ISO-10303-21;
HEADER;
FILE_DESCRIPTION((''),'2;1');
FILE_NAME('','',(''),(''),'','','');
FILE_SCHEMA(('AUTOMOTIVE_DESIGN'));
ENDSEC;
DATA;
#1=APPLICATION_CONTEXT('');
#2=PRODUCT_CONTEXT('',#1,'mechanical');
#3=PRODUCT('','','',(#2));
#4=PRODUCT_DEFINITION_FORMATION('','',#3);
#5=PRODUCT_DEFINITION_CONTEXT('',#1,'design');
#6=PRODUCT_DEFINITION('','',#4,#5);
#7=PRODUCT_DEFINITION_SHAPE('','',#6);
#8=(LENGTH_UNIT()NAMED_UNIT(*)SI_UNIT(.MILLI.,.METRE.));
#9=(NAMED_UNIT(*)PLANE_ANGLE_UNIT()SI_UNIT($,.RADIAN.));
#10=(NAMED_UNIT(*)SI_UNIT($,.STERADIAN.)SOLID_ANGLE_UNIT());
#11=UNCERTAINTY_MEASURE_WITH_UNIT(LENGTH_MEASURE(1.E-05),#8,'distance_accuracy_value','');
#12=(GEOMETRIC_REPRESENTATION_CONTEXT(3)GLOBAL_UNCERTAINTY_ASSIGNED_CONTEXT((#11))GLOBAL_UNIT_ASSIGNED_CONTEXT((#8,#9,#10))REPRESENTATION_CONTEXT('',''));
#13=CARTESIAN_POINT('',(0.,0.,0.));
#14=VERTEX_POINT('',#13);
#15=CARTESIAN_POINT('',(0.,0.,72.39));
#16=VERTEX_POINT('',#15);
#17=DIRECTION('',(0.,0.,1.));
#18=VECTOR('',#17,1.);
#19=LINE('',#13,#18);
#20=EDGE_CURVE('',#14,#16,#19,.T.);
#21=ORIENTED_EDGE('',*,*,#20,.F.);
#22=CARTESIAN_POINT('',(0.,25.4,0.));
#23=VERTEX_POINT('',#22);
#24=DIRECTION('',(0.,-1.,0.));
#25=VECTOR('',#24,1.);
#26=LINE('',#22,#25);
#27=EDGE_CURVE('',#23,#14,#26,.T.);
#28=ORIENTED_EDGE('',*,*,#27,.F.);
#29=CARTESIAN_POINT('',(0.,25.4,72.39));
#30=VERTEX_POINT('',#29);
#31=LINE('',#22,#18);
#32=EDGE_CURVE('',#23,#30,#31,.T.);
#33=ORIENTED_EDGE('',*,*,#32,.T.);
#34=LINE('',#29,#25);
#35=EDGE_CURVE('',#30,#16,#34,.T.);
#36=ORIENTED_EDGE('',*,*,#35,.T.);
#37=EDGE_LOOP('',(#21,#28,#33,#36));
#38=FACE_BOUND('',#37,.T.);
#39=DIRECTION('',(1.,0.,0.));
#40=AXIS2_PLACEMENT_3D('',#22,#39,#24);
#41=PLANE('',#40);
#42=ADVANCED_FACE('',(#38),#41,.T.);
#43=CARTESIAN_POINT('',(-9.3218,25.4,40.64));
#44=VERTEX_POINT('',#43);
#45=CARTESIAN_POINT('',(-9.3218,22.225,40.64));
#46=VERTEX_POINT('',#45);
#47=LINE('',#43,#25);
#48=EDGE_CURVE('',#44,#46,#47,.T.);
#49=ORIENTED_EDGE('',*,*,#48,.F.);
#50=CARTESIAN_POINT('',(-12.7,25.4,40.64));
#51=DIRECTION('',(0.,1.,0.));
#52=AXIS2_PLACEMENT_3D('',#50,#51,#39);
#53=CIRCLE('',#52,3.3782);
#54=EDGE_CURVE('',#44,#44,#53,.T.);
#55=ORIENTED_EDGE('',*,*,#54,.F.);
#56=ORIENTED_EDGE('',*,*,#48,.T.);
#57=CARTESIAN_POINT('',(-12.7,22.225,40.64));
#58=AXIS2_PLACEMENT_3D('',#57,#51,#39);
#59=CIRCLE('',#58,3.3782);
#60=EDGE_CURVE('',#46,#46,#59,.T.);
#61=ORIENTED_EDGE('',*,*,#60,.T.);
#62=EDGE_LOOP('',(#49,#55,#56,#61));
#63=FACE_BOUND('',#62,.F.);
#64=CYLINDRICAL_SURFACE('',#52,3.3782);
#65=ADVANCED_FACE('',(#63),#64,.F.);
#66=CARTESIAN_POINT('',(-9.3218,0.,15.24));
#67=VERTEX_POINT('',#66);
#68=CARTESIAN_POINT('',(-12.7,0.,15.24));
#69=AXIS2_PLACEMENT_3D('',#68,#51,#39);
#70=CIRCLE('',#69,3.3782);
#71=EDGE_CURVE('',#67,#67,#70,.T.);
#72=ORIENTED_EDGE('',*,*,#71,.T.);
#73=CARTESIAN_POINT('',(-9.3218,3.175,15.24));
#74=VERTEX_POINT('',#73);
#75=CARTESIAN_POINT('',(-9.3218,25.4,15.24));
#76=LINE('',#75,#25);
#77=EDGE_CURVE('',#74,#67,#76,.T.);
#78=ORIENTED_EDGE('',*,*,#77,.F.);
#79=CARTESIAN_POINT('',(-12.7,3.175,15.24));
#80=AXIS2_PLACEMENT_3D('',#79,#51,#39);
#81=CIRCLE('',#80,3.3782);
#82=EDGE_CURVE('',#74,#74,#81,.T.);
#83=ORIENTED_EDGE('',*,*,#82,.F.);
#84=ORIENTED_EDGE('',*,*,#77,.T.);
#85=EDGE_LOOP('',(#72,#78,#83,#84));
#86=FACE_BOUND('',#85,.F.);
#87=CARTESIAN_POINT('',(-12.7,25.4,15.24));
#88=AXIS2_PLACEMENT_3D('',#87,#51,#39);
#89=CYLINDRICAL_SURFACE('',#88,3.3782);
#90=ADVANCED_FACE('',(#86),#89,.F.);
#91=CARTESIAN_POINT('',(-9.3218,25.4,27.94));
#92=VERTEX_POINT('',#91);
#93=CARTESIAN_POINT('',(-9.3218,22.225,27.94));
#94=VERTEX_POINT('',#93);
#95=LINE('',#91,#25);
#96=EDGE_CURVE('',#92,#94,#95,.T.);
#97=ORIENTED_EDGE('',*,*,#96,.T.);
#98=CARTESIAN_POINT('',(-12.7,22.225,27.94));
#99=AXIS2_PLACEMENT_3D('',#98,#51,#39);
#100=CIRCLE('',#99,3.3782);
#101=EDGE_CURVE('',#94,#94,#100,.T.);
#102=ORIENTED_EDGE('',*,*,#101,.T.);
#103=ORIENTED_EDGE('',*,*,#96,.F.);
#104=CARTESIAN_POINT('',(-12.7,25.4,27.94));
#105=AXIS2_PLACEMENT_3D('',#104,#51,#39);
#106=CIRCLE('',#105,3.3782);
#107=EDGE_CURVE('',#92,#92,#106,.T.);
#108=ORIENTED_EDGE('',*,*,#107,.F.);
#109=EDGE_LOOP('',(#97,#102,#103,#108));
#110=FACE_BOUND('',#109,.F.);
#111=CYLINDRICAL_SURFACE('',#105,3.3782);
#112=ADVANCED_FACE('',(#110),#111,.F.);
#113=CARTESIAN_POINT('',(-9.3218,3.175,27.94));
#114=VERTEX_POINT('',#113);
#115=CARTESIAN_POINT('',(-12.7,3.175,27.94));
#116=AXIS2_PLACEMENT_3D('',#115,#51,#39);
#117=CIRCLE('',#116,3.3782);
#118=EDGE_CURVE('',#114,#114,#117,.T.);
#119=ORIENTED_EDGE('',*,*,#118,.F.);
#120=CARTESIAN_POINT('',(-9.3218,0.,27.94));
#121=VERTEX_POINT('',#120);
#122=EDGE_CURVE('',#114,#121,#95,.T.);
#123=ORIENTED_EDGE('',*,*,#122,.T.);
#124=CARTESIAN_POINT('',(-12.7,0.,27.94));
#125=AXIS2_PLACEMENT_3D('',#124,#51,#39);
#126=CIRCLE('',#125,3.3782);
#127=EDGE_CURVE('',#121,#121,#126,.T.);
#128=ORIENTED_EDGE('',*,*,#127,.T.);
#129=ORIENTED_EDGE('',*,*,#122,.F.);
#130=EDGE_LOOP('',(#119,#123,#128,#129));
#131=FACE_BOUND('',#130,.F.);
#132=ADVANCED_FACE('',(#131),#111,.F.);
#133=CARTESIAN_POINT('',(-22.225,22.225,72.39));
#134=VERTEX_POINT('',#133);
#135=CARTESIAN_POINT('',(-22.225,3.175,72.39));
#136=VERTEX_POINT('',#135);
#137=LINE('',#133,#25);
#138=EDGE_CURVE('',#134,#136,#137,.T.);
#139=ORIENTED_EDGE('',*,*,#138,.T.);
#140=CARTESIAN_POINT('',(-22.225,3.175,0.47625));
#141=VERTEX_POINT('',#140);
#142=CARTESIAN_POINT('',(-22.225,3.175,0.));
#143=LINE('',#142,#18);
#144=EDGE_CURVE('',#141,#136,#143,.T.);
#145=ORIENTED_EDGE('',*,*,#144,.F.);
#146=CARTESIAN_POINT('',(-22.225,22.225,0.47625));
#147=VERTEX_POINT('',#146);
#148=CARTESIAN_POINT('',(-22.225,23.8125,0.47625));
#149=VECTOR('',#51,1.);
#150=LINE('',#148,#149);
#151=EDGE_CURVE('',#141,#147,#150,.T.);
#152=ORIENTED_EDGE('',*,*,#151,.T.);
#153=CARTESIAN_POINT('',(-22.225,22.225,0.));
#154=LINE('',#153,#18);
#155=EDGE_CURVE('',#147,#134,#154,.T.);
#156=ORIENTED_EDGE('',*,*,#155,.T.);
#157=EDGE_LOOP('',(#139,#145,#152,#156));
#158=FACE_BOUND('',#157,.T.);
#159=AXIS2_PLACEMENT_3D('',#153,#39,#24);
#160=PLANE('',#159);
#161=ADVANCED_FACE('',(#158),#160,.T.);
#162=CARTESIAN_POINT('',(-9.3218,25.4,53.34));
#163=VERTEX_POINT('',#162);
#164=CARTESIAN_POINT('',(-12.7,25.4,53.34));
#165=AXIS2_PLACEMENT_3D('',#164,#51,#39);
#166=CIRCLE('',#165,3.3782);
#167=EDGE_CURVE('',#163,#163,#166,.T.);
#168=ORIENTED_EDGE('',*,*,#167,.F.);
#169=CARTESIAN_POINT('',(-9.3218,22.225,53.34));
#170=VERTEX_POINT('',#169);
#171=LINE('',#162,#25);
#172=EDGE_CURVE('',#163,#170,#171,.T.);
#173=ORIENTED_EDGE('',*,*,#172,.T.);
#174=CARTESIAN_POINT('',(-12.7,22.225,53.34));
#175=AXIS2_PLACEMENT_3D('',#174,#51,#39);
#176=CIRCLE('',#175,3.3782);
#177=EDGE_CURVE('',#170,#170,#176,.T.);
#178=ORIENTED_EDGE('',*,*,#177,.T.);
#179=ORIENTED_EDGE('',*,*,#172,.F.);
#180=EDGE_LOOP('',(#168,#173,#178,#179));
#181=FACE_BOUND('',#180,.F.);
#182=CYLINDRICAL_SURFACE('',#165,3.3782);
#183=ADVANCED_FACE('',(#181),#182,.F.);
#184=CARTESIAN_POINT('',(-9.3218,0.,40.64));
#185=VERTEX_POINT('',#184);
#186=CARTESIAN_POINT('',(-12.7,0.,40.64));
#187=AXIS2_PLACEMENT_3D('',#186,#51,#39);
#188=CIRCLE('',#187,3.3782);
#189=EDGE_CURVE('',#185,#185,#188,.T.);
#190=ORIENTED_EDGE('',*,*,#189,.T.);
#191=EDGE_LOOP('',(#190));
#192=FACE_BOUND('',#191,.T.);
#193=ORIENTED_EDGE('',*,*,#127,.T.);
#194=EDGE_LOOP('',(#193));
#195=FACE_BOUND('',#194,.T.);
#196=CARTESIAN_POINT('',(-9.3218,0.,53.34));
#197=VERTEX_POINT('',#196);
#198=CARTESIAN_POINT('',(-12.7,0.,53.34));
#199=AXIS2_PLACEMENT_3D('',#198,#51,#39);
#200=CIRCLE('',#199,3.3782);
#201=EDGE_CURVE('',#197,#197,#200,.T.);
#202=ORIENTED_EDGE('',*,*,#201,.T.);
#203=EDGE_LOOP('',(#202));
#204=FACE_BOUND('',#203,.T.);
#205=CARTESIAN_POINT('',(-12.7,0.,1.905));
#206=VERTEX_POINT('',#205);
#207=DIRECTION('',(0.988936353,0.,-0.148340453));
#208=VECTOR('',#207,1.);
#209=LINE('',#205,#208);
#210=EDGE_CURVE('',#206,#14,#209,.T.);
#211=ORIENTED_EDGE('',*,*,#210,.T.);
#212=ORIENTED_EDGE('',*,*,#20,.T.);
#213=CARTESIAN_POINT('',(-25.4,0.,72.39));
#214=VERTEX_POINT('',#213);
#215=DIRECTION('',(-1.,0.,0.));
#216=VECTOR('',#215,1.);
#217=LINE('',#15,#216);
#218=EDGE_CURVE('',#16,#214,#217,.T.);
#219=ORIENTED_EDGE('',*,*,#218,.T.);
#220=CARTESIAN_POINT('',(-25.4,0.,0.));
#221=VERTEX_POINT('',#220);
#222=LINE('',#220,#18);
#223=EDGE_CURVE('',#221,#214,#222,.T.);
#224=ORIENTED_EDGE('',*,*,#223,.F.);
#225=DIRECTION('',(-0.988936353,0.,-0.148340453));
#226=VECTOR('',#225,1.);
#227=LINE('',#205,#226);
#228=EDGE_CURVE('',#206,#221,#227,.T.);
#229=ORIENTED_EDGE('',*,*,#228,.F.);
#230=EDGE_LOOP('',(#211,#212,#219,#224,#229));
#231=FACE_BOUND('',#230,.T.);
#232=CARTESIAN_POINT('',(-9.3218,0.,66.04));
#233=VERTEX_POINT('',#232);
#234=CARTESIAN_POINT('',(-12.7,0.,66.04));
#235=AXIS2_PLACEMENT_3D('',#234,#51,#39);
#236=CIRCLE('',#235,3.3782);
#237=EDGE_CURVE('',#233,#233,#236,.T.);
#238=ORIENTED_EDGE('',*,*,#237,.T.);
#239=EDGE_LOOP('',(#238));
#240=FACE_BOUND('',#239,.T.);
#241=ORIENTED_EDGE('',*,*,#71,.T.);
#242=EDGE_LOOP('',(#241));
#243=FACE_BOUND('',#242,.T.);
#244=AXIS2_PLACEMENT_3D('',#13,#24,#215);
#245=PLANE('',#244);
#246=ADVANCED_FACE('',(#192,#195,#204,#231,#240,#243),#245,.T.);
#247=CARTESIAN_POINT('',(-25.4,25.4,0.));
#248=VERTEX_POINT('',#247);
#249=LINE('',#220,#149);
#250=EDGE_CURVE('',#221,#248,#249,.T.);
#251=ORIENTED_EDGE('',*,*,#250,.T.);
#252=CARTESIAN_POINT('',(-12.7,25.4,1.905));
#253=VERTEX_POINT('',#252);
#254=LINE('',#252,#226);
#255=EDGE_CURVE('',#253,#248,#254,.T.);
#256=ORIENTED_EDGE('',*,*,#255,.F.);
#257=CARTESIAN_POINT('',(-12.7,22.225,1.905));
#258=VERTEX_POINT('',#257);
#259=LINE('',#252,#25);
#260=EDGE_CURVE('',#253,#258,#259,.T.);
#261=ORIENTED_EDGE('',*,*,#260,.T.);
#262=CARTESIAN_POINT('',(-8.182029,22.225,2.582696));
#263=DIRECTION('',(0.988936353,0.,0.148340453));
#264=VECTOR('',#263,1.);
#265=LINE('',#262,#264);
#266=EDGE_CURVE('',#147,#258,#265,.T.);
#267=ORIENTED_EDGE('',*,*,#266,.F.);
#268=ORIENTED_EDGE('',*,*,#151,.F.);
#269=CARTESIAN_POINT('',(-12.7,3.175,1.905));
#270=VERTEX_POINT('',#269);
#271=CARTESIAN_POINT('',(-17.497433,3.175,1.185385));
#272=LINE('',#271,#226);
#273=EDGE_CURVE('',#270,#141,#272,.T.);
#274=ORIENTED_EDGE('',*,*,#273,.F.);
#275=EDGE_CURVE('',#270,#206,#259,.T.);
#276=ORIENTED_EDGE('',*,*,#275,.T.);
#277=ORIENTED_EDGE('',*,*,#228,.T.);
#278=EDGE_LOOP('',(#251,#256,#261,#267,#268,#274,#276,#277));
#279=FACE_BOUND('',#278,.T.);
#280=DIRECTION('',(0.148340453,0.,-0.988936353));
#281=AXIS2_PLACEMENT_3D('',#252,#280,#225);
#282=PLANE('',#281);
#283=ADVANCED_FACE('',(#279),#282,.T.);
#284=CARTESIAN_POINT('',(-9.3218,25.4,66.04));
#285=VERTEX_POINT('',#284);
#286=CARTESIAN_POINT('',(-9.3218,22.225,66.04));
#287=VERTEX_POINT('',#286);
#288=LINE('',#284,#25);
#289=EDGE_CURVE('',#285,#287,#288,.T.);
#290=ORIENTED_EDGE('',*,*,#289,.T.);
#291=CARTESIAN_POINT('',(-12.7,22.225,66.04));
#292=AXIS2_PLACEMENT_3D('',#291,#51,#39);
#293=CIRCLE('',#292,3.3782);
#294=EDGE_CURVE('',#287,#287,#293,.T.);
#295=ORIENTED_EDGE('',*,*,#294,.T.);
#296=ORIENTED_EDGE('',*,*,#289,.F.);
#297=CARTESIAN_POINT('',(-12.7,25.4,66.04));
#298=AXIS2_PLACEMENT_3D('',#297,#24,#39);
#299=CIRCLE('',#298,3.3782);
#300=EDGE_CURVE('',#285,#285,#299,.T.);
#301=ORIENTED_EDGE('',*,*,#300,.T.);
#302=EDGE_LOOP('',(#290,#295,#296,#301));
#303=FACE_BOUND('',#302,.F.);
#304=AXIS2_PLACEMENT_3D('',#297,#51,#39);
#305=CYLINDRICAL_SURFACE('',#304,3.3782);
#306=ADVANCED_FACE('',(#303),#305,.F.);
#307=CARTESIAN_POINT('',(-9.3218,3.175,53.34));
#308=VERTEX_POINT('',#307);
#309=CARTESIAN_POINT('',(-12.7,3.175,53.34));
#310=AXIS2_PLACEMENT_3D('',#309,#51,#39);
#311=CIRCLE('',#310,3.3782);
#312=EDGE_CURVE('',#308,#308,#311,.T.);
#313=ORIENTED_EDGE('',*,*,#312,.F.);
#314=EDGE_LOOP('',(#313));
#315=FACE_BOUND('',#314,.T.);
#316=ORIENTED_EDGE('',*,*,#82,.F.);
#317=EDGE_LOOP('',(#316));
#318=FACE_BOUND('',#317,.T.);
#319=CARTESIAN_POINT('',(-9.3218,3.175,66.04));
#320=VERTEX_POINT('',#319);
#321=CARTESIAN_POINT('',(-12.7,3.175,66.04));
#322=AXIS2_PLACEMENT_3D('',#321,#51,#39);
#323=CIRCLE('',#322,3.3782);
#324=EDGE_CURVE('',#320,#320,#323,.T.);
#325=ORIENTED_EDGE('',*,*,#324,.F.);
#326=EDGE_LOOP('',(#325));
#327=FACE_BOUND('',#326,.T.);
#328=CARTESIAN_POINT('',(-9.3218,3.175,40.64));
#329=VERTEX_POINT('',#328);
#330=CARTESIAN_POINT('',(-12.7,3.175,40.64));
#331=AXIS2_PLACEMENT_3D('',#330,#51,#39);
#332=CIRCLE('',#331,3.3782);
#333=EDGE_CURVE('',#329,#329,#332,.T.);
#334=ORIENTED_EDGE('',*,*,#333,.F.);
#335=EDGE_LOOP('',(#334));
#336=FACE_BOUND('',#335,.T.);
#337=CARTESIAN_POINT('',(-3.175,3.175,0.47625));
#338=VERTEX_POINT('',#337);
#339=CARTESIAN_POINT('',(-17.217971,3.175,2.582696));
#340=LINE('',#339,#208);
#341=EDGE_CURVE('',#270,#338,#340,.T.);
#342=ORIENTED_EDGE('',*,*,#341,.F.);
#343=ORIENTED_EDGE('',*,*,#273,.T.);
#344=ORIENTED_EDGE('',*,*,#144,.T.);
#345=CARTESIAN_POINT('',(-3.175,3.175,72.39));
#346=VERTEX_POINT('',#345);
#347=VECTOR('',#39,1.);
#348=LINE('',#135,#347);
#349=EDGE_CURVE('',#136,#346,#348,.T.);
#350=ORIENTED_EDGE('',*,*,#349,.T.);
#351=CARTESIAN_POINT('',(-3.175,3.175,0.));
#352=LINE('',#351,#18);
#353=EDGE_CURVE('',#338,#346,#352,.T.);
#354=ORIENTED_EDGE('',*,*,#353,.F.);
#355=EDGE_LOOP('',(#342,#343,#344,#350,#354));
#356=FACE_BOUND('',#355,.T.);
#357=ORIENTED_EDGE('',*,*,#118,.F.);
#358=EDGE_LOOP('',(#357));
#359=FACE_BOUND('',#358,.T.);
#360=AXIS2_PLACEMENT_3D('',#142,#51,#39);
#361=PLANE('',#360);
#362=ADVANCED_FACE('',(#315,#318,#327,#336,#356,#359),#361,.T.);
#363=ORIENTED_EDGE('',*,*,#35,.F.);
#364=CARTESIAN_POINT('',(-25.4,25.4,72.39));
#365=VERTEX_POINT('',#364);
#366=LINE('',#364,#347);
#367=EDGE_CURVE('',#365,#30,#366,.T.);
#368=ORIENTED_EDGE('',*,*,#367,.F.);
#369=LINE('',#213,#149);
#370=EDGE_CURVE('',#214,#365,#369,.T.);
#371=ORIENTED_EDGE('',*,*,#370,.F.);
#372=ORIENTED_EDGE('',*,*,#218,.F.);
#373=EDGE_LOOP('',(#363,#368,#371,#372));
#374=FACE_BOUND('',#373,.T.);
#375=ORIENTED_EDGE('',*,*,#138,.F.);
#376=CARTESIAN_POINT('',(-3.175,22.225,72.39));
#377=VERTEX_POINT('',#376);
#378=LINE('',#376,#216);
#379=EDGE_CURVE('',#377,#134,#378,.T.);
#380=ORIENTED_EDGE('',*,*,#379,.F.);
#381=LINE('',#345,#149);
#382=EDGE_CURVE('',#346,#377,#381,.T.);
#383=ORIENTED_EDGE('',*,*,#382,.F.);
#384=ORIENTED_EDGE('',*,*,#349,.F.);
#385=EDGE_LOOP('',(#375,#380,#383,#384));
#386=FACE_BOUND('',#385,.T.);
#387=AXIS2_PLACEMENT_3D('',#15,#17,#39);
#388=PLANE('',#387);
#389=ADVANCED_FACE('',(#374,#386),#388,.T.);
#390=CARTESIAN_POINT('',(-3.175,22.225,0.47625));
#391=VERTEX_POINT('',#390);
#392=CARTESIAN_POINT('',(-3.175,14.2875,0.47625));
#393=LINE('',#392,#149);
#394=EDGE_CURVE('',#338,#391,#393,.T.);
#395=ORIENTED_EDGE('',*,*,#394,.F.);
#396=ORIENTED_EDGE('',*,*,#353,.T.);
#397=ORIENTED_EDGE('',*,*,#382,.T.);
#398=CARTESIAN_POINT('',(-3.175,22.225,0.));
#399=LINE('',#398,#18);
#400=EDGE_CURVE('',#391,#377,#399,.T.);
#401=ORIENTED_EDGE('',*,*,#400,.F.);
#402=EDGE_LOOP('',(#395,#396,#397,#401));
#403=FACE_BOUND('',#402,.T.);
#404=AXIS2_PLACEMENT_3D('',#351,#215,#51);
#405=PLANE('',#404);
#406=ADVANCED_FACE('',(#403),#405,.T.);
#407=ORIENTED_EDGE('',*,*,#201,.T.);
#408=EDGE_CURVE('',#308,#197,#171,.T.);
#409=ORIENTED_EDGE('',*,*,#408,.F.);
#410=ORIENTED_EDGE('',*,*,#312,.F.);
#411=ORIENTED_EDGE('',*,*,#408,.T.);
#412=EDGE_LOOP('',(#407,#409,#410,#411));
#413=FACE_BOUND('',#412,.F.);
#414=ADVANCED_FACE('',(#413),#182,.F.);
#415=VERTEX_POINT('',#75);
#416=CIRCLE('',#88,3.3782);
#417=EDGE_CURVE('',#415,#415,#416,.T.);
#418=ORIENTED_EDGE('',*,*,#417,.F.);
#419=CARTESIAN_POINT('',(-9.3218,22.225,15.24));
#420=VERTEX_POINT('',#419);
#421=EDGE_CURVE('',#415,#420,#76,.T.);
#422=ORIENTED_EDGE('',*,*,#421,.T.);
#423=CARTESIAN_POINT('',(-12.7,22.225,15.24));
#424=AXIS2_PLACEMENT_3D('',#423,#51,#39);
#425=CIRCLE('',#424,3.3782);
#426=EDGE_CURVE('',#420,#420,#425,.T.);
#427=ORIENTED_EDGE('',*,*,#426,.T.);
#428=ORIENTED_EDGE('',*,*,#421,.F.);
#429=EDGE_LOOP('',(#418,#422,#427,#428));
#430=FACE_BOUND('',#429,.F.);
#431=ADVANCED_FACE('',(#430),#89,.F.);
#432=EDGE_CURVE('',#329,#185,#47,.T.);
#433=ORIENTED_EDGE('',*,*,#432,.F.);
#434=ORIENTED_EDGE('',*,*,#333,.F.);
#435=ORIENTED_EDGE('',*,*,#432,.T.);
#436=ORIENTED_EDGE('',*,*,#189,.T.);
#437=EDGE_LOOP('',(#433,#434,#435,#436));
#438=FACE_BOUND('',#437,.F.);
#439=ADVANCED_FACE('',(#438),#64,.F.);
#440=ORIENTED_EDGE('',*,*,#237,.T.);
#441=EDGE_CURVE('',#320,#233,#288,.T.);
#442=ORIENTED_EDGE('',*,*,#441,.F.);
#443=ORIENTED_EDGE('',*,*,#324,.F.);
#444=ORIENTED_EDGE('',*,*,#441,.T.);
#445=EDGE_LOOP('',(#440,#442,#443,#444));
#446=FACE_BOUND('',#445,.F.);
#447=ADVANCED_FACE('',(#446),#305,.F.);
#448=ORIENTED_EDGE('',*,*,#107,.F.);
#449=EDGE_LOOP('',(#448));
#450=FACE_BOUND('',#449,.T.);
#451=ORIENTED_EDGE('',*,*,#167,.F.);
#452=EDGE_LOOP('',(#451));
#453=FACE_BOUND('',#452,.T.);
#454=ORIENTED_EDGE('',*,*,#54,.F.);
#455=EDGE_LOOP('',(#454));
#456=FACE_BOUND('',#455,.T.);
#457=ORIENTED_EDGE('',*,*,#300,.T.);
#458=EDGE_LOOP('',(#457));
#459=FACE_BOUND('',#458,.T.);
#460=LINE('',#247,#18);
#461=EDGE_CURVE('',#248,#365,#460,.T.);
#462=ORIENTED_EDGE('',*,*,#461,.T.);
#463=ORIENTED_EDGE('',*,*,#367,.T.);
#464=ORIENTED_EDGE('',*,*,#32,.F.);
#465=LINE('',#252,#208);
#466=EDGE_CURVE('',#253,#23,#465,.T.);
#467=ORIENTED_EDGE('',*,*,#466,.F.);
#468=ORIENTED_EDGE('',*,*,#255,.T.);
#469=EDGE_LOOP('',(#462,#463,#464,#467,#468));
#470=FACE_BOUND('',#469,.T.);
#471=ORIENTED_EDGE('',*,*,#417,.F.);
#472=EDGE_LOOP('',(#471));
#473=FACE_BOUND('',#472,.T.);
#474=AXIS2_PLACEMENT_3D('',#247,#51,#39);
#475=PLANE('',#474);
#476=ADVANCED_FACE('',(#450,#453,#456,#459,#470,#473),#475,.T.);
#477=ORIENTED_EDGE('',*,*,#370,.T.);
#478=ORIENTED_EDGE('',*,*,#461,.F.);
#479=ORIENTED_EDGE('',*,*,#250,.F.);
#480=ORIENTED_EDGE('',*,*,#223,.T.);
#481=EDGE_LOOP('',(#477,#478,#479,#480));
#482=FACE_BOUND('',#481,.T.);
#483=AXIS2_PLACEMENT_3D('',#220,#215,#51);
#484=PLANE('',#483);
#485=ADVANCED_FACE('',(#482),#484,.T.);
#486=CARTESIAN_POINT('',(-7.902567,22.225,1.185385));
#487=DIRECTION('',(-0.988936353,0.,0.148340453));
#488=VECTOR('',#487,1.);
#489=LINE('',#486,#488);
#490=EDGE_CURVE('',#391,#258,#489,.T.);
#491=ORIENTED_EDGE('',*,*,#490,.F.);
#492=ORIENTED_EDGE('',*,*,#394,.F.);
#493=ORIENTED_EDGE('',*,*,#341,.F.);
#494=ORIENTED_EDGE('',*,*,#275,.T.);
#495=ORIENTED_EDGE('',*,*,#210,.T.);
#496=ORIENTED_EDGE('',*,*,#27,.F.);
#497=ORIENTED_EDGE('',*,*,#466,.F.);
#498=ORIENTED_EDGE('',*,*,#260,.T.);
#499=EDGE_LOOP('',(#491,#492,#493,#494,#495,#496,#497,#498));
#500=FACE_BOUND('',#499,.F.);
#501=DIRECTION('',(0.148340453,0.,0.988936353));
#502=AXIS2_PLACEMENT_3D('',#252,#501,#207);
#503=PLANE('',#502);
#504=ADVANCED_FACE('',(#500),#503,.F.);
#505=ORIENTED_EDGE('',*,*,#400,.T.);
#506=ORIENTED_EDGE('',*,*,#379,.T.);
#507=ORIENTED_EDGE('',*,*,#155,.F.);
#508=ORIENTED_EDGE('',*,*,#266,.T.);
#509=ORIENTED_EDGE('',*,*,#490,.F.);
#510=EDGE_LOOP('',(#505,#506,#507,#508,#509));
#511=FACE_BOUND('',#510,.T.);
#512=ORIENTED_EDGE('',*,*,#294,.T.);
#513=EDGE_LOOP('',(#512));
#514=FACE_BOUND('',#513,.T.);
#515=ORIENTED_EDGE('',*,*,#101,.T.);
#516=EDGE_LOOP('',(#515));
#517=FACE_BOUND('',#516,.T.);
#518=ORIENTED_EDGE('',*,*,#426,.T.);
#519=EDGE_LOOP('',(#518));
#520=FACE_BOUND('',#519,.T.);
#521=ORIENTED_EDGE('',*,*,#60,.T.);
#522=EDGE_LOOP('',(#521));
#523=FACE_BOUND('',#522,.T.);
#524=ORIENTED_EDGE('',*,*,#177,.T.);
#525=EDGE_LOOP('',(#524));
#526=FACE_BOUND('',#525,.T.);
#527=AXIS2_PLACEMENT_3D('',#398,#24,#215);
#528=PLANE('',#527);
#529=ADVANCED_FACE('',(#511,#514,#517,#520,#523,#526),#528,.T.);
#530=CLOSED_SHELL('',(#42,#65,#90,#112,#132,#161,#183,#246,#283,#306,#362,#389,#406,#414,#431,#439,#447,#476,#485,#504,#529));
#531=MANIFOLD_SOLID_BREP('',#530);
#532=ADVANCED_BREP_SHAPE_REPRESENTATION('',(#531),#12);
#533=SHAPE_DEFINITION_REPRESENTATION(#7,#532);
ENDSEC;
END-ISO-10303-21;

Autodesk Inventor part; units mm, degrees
ref_plane "YZ Plane" through (0, 0, 0) normal (1, 0, 0) x (0, 1, 0)
ref_plane "XZ Plane" through (0, 0, 0) normal (0, 1, 0) x (-1, 0, 0)
ref_plane "XY Plane" through (0, 0, 0) normal (0, 0, 1) x (1, 0, 0)
sketch "Sketch1" plane through (0, 0, 0) normal (0, 0, 1) x (1, 0, 0)
  line L0 (0, 0) -> (-25.4, 0)
  line L1 (-25.4, 0) -> (-25.4, 25.4)
  line L2 (-25.4, 25.4) -> (0, 25.4)
  line L3 (0, 25.4) -> (0, 0)
  line L4 (-3.175, 22.225) -> (-22.225, 22.225)
  line L5 (-22.225, 22.225) -> (-22.225, 3.175)
  line L6 (-22.225, 3.175) -> (-3.175, 3.175)
  line L7 (-3.175, 3.175) -> (-3.175, 22.225)
  dimension "d2" = 25.4
  dimension "d4" = 25.4
  dimension "d5" = 3.175
extrude "Extrusion1" add sketch "Sketch1" along normal blind 72.39
sketch "Sketch2" plane through (-25.4, 25.4, 0) normal (0, 1, 0) x (1, 0, 0)
  line L0 (0, 0) -> (25.4, 0) projected
  line L1 (0, 0) -> (0, -72.39) projected
  line L2 (0, 0) -> (0, -1.905)
  line L3 (12.7, 0) -> (12.7, -1.905)
  line L4 (12.7, -1.905) -> (0, 0)
  line L5 (12.7, -1.905) -> (25.4, 0)
  dimension "d8" = 1.905
  dimension "d9" = 1.905
extrude "Extrusion2" cut sketch "Sketch2" against normal blind 25.4
sketch "Sketch3" plane through (-25.4, 25.4, 72.39) normal (0, 1, 0) x (1, 0, 0)
  line L0 (25.4, 0) -> (0, 0) projected
  line L1 (25.4, 72.39) -> (25.4, 0) projected
  line L2 (12.7, 0) -> (12.7, 70.485) construction
  line L3 (12.7, 0) -> (12.7, 6.35)
  circle A0 centre (12.7, 6.35) radius 3.3782
  circle A1 centre (12.7, 19.05) radius 3.3782
  circle A2 centre (12.7, 31.75) radius 3.3782
  circle A3 centre (12.7, 44.45) radius 3.3782
  circle A4 centre (12.7, 57.15) radius 3.3782
  dimension "d12" = 6.35
  dimension "d13" = 6.7564
  dimension "d16" = 12.7
extrude "Extrusion3" cut sketch "Sketch3" against normal blind 25.4
properties part number "V mount" material "Aluminum 6061"
